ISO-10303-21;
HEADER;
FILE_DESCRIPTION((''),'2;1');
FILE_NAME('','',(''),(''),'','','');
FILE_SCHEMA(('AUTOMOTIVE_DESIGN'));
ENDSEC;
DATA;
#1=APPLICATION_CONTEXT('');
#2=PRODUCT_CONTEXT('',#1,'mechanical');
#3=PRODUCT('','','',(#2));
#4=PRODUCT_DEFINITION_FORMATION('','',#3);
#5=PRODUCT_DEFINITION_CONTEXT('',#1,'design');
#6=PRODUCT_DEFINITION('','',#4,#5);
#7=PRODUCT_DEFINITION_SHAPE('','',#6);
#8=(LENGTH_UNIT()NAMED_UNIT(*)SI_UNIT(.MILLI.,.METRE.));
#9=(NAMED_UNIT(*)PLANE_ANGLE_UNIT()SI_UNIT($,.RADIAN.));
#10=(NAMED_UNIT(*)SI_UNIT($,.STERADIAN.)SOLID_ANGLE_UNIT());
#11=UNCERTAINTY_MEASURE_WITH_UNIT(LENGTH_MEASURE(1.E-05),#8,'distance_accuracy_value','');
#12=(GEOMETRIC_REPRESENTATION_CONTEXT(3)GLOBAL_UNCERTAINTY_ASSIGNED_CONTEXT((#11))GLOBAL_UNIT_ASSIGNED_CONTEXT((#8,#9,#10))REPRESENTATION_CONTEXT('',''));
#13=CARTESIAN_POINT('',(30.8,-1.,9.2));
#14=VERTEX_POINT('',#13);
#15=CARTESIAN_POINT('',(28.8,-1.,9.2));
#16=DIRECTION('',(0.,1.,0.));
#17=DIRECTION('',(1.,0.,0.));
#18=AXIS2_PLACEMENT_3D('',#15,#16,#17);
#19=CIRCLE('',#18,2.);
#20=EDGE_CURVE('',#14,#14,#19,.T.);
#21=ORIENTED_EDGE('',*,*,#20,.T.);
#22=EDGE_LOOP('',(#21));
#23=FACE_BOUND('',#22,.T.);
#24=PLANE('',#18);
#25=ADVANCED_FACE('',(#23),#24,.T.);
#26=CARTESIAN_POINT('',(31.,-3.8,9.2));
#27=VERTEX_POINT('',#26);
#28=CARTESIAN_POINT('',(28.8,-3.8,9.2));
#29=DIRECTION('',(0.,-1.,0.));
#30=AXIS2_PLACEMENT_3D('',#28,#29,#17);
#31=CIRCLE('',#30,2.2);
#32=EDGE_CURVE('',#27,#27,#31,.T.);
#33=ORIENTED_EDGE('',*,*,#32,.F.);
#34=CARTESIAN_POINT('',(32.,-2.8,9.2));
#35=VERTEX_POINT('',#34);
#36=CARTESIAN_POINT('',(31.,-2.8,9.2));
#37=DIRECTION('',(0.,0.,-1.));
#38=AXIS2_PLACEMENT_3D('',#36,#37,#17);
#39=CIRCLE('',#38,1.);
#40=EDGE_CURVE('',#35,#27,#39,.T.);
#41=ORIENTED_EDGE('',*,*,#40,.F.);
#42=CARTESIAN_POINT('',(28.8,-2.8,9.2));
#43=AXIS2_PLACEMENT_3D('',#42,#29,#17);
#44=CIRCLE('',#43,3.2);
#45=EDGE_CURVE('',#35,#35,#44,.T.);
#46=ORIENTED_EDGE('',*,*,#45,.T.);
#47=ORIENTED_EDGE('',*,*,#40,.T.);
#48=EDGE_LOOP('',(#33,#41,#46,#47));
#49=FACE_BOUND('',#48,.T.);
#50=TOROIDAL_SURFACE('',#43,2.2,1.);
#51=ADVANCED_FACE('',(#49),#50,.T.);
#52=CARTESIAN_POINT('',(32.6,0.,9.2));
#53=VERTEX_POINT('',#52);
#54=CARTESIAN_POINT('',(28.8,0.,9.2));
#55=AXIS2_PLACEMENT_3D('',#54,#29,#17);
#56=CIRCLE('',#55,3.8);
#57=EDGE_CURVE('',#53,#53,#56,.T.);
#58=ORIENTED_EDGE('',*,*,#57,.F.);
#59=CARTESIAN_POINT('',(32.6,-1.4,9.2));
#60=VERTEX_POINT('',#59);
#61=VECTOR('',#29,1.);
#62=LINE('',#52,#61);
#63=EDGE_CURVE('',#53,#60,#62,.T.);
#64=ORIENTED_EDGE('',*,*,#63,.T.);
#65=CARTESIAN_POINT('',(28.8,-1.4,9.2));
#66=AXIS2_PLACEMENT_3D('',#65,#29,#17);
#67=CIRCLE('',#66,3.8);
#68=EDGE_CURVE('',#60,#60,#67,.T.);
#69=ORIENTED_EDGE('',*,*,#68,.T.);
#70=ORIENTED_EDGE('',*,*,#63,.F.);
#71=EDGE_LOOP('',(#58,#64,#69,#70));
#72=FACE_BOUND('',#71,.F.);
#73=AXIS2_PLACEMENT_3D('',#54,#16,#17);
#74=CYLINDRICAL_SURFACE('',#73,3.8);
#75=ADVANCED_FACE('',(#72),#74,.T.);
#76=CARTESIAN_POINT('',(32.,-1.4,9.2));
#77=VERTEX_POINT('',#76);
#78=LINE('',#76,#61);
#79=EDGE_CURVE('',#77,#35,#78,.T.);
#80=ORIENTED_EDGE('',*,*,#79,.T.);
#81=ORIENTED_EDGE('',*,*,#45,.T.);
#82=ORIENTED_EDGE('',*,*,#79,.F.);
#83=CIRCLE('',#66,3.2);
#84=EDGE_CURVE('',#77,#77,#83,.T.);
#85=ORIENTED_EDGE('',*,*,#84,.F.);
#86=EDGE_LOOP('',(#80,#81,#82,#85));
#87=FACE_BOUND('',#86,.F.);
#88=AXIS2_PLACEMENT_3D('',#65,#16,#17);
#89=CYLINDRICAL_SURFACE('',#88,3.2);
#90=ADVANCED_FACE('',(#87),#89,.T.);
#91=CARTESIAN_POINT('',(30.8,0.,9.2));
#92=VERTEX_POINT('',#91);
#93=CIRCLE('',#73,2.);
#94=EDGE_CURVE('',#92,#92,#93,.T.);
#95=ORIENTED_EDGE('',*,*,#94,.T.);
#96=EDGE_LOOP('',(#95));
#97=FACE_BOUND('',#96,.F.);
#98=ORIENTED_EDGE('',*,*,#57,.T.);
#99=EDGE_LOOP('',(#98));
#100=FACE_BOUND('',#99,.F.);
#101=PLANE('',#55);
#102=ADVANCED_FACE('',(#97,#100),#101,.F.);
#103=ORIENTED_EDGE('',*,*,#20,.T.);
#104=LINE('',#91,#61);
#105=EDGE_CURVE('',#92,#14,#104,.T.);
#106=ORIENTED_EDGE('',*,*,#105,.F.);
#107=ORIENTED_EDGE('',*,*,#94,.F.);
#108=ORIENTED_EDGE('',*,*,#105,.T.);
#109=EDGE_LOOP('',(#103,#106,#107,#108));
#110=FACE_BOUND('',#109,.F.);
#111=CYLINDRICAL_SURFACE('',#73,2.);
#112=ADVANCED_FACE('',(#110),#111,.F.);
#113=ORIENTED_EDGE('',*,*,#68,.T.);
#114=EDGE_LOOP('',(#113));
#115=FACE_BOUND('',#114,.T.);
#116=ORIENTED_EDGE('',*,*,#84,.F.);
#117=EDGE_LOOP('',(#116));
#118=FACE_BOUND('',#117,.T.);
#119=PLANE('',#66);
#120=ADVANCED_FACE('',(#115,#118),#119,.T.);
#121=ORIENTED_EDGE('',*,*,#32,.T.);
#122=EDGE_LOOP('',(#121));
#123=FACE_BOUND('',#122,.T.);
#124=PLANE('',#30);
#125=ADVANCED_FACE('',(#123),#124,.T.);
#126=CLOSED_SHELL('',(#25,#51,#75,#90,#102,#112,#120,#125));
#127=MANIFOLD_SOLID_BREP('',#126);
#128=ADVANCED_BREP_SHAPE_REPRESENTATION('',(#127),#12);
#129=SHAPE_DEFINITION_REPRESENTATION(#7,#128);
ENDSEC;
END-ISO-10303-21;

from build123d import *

# Parameters (mm, degrees)
SKETCH046_R     = 3.8
PAD020_DEPTH    = 1.4
SKETCH047_R     = 3.2
PAD021_DEPTH    = 2.4
SKETCH049_R     = 2
POCKET020_DEPTH = 1
FILLET018_R     = 1


with BuildPart() as part:
    # Sketch046 → Pad020 (new body)
    with BuildSketch(Plane.XZ):
        with Locations((28.8, 9.2)):
            Circle(SKETCH046_R)
    extrude(amount=PAD020_DEPTH)

    # Sketch047 (on Face3 of Pad020) → Pad021 (join)
    with BuildSketch(Plane.XZ.offset(1.4)):
        with Locations((28.8, 9.2)):
            Circle(SKETCH047_R)
    extrude(amount=PAD021_DEPTH)

    # Sketch049 (on Face2 of Pad021) → Pocket020 (cut)
    with BuildSketch(Plane(origin=(0, 0, 0), x_dir=(1, 0, 0), z_dir=(0, 1, 0))):
        with Locations((28.8, -9.2)):
            Circle(SKETCH049_R)
    extrude(amount=-POCKET020_DEPTH, mode=Mode.SUBTRACT)

    # Fillet018
    fillet018_edges = [part.edges().sort_by_distance(p)[0] for p in [
        (25.6, -3.8, 9.2),
    ]]
    fillet(fillet018_edges, radius=FILLET018_R)


solid = part.part
